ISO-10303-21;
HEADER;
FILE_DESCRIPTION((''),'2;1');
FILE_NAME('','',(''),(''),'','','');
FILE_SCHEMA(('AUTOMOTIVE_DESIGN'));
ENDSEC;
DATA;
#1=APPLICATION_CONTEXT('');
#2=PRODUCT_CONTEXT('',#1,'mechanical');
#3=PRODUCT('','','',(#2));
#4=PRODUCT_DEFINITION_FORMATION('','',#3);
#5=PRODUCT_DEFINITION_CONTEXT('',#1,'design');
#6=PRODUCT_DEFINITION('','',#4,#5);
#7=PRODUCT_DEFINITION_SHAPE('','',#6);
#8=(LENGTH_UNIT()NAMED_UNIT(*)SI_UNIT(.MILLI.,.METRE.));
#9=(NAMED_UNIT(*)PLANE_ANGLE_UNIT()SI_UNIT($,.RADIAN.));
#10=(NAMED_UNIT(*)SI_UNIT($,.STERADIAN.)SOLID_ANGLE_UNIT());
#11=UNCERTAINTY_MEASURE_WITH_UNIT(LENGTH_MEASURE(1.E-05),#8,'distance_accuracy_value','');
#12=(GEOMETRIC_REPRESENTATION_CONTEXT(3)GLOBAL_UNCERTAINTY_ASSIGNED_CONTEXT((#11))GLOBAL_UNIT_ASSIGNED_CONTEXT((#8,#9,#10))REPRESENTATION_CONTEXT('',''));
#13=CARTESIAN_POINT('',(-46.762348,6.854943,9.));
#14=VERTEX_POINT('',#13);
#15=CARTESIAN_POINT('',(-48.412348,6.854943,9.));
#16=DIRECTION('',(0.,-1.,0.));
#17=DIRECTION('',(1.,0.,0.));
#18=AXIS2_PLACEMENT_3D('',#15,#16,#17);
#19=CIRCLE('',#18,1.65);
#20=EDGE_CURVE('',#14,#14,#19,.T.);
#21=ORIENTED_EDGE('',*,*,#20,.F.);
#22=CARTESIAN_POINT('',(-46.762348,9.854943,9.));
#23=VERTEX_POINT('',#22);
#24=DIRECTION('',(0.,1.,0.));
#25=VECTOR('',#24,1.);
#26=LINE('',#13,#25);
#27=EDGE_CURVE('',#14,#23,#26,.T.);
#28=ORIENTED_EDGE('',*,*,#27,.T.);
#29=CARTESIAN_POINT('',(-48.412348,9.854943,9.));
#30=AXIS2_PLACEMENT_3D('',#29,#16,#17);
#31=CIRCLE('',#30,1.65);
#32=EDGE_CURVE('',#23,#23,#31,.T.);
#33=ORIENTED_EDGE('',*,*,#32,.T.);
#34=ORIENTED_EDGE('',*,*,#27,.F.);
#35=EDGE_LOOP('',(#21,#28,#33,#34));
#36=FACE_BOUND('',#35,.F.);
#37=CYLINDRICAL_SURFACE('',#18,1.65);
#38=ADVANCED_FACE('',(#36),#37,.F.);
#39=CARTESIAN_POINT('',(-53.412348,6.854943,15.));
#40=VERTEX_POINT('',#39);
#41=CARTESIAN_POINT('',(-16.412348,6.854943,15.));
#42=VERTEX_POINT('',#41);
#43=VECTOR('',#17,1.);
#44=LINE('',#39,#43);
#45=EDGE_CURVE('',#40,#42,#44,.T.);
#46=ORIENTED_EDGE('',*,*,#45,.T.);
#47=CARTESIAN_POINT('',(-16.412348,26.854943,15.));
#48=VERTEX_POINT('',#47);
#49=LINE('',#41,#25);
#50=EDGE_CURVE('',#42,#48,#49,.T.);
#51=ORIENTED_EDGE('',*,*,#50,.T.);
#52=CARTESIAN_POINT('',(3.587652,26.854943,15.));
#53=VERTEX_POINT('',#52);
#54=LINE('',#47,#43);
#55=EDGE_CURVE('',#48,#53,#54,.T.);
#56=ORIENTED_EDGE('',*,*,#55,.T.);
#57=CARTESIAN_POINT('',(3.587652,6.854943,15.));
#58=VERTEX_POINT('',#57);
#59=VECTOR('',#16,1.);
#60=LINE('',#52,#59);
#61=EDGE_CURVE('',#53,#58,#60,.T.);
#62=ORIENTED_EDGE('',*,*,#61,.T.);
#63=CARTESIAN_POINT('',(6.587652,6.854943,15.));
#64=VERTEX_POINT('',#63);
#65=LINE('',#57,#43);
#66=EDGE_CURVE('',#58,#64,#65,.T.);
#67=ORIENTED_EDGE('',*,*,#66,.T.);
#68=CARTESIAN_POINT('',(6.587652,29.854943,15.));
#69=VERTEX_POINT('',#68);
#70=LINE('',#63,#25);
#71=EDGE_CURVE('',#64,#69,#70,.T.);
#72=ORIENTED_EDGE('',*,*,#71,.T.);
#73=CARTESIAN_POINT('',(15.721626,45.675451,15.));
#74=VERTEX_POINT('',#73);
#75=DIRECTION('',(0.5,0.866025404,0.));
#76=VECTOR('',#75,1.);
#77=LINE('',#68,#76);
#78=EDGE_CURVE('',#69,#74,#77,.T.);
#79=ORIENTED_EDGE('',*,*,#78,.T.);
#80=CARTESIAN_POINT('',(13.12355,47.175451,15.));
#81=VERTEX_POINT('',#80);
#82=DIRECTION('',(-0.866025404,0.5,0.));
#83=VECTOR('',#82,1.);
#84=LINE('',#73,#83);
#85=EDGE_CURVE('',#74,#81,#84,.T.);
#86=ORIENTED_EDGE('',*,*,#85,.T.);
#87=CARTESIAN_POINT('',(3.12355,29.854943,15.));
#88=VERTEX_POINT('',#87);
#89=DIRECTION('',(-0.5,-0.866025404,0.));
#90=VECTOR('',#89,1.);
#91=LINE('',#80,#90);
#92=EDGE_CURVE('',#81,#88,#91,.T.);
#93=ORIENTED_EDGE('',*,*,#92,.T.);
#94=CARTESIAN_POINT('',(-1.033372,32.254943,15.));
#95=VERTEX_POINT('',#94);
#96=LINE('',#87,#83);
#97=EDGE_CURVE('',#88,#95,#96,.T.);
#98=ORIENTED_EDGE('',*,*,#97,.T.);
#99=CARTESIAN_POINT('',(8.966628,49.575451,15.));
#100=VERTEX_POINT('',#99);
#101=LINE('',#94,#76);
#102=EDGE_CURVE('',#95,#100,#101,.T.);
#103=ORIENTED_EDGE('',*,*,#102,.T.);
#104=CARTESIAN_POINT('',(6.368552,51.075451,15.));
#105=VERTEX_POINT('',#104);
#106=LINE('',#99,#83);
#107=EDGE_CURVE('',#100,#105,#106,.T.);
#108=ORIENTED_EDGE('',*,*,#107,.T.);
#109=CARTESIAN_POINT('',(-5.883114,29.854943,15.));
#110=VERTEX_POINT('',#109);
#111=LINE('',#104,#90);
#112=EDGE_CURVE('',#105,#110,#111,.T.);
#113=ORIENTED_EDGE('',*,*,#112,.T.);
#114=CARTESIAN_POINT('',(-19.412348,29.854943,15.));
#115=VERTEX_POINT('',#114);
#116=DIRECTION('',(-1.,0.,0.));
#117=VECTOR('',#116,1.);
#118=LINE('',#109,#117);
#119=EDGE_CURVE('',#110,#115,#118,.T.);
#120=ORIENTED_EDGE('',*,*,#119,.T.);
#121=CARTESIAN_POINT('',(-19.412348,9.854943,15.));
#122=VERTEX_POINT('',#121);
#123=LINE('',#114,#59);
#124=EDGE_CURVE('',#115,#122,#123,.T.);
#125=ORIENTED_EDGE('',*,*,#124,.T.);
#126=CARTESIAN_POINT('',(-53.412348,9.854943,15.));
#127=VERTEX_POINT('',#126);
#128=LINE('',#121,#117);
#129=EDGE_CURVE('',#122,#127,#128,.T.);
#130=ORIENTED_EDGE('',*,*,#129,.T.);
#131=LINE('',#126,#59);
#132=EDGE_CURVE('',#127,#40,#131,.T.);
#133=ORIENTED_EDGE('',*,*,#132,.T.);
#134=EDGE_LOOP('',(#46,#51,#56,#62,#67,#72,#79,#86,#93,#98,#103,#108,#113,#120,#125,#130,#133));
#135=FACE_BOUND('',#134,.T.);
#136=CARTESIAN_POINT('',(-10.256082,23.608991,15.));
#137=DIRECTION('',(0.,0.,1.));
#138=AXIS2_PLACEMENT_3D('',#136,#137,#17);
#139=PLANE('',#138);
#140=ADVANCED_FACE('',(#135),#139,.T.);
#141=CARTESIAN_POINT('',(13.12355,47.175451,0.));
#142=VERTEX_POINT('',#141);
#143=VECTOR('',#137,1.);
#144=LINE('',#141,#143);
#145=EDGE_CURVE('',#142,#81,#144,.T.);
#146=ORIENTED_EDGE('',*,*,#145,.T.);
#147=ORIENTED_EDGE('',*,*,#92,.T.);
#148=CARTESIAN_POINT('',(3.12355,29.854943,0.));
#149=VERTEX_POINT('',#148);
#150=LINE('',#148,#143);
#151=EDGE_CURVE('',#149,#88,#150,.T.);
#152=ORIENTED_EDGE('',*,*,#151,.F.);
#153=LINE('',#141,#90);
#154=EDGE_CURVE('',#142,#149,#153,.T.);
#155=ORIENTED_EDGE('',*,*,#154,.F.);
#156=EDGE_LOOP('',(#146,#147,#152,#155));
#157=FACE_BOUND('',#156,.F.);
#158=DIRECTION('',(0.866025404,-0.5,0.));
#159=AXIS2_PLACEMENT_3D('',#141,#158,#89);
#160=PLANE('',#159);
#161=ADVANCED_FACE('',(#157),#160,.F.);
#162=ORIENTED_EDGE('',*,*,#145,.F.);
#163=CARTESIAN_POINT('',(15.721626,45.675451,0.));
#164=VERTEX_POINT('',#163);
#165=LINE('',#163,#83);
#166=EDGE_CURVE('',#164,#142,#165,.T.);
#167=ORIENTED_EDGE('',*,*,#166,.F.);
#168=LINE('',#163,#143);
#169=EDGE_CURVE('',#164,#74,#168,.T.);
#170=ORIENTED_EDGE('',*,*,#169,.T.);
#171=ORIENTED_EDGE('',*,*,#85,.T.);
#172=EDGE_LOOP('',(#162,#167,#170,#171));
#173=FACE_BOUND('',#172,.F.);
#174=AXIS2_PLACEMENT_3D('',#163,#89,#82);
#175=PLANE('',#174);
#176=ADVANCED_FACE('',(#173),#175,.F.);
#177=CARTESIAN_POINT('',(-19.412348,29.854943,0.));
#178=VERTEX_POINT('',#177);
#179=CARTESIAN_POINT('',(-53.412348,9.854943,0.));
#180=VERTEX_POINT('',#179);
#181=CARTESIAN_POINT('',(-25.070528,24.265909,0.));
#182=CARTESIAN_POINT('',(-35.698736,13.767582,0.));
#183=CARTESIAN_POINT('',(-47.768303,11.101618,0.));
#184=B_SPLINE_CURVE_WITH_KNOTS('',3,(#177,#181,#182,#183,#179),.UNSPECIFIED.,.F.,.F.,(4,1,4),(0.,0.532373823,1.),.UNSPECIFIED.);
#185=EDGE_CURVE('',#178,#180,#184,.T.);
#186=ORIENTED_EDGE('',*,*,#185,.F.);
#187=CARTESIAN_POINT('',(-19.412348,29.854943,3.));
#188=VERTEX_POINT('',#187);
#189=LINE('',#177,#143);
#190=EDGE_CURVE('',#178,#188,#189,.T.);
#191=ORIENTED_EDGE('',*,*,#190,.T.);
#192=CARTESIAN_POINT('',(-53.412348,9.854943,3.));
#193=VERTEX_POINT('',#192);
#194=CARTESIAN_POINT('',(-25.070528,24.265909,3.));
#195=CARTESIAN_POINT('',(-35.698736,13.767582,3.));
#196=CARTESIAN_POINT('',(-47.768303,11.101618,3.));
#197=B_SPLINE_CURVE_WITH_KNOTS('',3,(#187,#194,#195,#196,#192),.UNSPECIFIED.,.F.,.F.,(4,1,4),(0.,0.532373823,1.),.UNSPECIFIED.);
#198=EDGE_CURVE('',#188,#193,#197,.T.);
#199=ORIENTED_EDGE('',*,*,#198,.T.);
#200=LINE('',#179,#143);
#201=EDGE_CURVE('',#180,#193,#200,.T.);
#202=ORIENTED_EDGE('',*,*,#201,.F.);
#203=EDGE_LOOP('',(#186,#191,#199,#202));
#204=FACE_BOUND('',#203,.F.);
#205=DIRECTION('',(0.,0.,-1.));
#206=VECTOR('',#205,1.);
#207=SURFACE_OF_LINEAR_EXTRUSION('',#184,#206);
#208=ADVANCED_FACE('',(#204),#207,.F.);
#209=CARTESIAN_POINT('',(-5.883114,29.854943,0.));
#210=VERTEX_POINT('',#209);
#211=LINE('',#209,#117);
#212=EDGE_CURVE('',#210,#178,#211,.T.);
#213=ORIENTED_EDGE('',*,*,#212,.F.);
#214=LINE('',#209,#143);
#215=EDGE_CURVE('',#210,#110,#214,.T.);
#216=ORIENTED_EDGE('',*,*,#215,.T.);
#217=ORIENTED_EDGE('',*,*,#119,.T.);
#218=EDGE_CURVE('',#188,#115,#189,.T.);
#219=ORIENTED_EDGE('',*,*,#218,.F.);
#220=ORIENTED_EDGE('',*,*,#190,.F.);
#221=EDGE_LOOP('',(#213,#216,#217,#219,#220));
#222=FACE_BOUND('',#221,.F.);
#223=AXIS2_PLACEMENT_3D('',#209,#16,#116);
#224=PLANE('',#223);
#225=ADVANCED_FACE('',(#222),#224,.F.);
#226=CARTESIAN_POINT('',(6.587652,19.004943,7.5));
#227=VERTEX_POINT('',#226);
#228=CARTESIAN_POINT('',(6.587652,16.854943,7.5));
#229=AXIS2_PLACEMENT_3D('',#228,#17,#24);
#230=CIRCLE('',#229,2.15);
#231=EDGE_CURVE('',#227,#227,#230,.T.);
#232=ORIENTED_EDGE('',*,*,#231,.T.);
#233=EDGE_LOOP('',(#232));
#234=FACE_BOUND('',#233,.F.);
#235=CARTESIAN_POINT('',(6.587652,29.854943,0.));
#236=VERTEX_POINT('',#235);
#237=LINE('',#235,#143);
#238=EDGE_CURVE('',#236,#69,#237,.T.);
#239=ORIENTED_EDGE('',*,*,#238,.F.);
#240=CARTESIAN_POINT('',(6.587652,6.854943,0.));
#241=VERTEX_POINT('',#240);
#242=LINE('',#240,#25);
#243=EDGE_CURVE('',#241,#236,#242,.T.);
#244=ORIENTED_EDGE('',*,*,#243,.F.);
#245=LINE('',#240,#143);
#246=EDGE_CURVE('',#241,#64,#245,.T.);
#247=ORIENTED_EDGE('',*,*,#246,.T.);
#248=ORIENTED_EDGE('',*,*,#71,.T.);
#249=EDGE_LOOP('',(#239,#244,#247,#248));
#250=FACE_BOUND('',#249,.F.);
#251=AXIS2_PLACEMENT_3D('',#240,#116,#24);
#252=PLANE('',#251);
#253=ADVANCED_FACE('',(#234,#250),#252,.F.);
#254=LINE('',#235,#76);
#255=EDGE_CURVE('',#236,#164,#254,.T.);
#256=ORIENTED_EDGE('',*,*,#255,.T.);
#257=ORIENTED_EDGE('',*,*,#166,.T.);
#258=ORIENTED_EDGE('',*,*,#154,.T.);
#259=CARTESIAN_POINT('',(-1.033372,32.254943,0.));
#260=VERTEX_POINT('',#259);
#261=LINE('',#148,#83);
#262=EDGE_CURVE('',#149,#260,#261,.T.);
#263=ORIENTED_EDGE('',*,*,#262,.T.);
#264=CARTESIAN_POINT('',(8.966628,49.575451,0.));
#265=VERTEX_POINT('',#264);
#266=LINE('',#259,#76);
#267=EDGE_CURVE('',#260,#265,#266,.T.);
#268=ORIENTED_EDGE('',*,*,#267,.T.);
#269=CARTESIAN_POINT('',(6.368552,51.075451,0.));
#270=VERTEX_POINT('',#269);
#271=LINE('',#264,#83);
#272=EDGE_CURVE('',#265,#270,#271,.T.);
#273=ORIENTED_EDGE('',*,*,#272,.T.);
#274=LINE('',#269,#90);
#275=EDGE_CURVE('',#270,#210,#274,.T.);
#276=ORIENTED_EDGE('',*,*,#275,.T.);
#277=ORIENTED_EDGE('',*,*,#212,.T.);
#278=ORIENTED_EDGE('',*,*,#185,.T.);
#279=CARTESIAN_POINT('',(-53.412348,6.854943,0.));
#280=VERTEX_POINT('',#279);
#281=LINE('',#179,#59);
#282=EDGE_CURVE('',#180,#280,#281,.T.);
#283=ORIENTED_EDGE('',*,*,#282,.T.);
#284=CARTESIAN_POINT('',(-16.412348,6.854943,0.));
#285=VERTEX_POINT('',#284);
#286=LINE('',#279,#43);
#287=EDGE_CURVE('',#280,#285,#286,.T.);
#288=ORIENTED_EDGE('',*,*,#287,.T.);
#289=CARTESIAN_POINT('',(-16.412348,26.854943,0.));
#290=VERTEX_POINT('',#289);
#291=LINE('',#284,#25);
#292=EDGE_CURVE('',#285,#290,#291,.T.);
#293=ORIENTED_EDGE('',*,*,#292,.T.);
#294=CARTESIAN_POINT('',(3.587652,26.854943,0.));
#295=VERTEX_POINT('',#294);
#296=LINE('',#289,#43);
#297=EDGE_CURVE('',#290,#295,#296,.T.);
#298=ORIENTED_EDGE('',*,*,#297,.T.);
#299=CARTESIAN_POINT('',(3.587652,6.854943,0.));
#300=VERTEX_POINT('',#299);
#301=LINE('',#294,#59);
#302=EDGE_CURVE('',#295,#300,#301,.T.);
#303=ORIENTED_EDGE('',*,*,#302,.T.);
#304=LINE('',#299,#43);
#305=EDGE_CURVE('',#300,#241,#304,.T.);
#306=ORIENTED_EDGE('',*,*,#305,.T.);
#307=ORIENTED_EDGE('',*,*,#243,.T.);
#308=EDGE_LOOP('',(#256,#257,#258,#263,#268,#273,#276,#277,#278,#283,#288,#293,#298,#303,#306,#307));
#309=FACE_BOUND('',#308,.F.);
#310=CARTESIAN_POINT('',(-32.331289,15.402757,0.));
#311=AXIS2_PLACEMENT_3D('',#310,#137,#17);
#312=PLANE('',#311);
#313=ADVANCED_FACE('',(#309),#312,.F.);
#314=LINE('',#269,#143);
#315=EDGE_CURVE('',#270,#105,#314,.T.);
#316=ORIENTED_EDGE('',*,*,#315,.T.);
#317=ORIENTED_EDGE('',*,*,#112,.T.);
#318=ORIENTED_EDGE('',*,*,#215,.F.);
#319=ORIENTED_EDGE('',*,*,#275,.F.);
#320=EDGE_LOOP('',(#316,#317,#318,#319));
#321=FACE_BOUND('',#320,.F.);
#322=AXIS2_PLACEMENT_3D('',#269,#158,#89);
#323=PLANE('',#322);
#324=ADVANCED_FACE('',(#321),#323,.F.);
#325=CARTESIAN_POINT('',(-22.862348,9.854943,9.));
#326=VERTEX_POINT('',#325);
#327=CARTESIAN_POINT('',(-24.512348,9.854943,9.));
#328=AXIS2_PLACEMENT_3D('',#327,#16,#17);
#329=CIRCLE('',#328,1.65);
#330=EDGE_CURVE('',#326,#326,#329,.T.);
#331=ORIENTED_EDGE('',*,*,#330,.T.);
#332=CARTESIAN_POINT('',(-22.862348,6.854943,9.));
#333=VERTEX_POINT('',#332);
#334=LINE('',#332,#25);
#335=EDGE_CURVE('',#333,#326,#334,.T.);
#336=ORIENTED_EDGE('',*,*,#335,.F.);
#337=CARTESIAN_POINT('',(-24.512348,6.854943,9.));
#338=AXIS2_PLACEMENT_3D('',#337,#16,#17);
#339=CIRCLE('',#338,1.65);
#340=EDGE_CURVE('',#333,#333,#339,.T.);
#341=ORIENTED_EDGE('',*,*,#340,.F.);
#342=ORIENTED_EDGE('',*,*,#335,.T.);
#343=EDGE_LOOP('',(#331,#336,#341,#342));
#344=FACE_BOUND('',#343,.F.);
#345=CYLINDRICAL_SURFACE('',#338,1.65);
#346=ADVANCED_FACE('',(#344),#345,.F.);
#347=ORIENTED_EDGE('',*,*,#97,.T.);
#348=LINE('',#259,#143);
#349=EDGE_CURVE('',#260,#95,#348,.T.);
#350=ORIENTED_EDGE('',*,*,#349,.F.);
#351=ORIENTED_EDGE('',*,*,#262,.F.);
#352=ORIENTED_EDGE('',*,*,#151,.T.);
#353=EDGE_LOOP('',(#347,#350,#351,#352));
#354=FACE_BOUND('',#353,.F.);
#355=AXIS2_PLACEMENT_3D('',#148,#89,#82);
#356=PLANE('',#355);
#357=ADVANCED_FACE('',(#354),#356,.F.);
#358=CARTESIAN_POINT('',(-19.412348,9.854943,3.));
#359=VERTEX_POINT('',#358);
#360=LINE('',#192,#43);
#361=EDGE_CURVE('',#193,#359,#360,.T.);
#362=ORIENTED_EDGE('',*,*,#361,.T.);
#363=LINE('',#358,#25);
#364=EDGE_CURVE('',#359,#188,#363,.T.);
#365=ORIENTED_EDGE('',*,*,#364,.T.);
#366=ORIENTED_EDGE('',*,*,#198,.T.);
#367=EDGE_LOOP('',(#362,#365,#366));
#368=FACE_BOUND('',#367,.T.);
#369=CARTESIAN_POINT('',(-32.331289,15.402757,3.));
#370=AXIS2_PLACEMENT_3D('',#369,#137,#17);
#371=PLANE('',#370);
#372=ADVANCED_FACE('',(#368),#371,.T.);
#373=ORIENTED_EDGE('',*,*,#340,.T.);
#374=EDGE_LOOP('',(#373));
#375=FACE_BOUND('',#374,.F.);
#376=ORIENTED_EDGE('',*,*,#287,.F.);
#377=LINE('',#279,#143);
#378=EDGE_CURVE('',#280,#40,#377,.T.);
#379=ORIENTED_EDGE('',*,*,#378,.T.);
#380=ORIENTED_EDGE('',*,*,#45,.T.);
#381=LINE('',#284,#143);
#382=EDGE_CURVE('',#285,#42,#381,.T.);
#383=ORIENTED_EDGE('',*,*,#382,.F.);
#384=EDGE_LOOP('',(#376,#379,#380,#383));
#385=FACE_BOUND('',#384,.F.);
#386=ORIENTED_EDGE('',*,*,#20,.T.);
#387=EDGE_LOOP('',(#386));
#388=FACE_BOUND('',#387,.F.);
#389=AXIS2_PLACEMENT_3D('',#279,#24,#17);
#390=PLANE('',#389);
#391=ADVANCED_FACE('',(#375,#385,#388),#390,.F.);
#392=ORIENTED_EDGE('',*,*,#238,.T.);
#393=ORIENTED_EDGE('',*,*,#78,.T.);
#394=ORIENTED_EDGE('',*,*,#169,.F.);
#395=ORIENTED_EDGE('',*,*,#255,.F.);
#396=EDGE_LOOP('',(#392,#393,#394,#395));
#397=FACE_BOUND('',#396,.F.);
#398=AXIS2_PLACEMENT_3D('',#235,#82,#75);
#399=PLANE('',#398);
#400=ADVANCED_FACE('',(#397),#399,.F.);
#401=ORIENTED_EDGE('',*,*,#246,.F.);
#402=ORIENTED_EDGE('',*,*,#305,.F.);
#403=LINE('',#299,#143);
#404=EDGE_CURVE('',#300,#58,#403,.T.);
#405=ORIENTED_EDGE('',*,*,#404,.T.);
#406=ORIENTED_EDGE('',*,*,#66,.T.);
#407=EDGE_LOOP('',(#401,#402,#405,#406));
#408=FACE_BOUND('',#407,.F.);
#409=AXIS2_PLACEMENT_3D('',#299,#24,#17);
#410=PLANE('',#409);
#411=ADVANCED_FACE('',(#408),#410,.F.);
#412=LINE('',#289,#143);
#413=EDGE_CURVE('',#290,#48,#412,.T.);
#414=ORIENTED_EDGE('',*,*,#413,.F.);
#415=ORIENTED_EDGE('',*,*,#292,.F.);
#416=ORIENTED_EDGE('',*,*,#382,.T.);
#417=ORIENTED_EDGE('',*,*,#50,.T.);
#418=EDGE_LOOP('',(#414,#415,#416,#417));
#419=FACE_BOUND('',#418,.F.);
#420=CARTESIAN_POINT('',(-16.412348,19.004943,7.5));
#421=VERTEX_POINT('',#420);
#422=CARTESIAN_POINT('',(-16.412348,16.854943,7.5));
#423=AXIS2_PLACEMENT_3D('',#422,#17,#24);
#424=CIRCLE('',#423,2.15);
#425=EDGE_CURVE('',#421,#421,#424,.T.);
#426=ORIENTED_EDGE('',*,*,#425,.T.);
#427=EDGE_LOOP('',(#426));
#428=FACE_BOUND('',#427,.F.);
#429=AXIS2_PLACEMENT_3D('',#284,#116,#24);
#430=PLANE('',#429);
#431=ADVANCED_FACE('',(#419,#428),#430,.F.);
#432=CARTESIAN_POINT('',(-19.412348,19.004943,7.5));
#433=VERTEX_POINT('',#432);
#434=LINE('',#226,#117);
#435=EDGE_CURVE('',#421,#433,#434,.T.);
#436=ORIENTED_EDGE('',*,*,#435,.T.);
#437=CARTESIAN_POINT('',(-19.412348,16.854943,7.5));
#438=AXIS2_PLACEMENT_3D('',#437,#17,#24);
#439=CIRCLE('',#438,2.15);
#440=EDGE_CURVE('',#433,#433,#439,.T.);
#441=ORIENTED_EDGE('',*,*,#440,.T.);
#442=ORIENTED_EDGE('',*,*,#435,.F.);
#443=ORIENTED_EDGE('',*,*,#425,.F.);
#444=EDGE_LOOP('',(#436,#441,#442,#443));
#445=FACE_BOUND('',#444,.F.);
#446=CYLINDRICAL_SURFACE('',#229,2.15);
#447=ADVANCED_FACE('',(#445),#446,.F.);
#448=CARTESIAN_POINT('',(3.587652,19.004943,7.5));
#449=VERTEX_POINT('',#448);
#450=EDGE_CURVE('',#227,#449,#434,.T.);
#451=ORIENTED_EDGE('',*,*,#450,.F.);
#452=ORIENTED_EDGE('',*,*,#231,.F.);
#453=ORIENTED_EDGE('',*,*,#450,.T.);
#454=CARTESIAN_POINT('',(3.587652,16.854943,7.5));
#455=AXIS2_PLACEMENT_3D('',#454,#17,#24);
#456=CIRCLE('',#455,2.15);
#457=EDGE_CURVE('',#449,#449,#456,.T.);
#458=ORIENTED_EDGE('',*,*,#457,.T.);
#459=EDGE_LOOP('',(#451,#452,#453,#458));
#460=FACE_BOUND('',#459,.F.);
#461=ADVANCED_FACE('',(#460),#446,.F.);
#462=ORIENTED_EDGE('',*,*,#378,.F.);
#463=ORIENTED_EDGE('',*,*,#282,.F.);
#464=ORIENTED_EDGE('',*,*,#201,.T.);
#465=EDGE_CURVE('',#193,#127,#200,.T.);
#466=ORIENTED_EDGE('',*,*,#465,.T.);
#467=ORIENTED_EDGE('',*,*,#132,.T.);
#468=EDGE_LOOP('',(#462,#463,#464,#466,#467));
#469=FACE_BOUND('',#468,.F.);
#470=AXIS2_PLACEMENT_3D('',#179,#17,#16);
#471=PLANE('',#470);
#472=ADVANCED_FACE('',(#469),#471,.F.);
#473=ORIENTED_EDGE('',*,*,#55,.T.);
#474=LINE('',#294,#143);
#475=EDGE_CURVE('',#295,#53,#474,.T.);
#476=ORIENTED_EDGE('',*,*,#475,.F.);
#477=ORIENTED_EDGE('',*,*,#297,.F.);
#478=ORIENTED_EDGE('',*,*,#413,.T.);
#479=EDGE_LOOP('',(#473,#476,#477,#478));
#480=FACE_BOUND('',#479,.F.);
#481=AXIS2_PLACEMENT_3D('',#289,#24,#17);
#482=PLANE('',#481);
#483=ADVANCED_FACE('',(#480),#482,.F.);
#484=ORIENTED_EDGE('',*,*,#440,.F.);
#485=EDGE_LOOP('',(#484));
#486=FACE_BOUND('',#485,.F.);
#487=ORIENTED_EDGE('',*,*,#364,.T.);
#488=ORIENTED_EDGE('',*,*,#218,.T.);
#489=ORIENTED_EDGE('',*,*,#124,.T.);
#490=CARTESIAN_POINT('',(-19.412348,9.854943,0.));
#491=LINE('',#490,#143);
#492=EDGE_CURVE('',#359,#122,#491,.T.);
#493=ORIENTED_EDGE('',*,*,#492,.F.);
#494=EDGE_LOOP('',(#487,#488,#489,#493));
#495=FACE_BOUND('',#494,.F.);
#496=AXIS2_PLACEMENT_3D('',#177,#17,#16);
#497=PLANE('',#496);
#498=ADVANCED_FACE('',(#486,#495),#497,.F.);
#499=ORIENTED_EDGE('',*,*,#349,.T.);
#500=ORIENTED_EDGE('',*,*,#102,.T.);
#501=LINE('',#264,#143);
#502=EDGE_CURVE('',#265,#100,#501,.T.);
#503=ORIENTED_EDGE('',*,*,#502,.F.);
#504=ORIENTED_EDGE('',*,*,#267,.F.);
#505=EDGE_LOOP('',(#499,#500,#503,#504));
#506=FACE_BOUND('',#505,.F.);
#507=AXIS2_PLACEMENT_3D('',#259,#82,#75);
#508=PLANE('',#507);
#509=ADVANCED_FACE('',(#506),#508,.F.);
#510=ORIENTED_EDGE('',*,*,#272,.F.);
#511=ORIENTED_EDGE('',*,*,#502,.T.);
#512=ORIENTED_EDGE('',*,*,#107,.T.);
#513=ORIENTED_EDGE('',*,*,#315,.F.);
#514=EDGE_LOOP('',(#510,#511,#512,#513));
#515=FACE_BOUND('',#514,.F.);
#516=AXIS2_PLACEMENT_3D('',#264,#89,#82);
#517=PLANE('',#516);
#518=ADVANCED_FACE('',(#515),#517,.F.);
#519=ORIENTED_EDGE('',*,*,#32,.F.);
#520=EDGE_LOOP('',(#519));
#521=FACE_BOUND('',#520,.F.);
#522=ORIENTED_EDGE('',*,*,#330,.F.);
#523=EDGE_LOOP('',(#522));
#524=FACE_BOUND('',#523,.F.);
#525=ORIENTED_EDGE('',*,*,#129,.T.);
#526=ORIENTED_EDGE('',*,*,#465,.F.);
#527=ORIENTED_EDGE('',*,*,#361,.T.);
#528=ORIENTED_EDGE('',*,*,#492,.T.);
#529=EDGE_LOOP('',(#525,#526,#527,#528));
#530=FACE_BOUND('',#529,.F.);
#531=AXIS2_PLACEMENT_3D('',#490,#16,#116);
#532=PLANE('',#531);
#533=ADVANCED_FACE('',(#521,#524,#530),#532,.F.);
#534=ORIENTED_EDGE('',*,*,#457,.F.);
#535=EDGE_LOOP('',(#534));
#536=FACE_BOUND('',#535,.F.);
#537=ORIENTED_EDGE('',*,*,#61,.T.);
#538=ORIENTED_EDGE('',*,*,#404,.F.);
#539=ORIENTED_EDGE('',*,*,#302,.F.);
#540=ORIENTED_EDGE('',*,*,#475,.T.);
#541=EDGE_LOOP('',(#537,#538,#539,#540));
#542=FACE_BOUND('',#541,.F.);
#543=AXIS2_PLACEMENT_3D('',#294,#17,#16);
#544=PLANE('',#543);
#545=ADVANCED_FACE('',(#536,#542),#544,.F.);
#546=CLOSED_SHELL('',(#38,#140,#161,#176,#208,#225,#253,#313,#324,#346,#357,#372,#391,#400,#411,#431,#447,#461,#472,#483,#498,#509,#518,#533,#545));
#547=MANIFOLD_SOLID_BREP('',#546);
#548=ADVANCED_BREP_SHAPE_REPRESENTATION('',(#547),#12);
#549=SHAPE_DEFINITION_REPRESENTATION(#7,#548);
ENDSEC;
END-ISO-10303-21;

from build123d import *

# Parameters (mm, degrees)
F1_DEPTH = 15
F2_DEPTH = 3
F3_R     = 1.65
F4_DEPTH = 5
F5_R     = 2.15
F6_DEPTH = 30


with BuildPart() as f1:
    # F0 (on Top) → F1 (new body)
    with BuildSketch(Plane.XY):
        Polygon((-53.4123483514, 9.8549427117), (-53.4123483514, 6.8549427117), (-16.4123483514, 6.8549427117), (-16.4123483514, 26.8549427117), (3.5876516486, 26.8549427117), (3.5876516486, 6.8549427117), (6.5876516486, 6.8549427117), (6.5876516486, 29.8549427117), (15.7216262448, 45.6754507873), (13.1235500334, 47.1754507873), (3.1235500334, 29.8549427117), (-1.0333719047, 32.2549427117), (8.9666280953, 49.5754507873), (6.3685518839, 51.0754507873), (-5.8831141659, 29.8549427117), (-19.4123483514, 29.8549427117), (-19.4123483514, 9.8549427117), align=None)
    extrude(amount=F1_DEPTH)

    # F0 (on Top) → F2 (join)
    with BuildSketch(Plane.XY):
        with BuildLine():
            add(Edge.make_bspline(
                [(-19.4123483514, 29.8549427117), (-25.070528026, 24.2659085839), (-35.6987359263, 13.7675822513), (-47.7683028951, 11.1016175788), (-53.4123483514, 9.8549427117)],
                knots=[0, 0, 0, 0, 0.5323738233, 1, 1, 1, 1], degree=3))
            Line((-53.4123483514, 9.8549427117), (-19.4123483514, 9.8549427117))
            Line((-19.4123483514, 9.8549427117), (-19.4123483514, 29.8549427117))
        make_face()
    extrude(amount=F2_DEPTH)

    # F3 (on face) → F4 (cut)
    with BuildSketch(Plane.XZ.offset(-6.8549427117)):
        with Locations((-48.4123483514, 9)):
            Circle(F3_R)
        with Locations((-24.5123483514, 9)):
            Circle(F3_R)
    extrude(amount=-F4_DEPTH, mode=Mode.SUBTRACT)

    # F5 (on face) → F6 (cut)
    with BuildSketch(Plane.YZ.offset(6.5876516486)):
        with Locations((16.8549427117, 7.5)):
            Circle(F5_R)
    extrude(amount=-F6_DEPTH, mode=Mode.SUBTRACT)


solid = f1.part
